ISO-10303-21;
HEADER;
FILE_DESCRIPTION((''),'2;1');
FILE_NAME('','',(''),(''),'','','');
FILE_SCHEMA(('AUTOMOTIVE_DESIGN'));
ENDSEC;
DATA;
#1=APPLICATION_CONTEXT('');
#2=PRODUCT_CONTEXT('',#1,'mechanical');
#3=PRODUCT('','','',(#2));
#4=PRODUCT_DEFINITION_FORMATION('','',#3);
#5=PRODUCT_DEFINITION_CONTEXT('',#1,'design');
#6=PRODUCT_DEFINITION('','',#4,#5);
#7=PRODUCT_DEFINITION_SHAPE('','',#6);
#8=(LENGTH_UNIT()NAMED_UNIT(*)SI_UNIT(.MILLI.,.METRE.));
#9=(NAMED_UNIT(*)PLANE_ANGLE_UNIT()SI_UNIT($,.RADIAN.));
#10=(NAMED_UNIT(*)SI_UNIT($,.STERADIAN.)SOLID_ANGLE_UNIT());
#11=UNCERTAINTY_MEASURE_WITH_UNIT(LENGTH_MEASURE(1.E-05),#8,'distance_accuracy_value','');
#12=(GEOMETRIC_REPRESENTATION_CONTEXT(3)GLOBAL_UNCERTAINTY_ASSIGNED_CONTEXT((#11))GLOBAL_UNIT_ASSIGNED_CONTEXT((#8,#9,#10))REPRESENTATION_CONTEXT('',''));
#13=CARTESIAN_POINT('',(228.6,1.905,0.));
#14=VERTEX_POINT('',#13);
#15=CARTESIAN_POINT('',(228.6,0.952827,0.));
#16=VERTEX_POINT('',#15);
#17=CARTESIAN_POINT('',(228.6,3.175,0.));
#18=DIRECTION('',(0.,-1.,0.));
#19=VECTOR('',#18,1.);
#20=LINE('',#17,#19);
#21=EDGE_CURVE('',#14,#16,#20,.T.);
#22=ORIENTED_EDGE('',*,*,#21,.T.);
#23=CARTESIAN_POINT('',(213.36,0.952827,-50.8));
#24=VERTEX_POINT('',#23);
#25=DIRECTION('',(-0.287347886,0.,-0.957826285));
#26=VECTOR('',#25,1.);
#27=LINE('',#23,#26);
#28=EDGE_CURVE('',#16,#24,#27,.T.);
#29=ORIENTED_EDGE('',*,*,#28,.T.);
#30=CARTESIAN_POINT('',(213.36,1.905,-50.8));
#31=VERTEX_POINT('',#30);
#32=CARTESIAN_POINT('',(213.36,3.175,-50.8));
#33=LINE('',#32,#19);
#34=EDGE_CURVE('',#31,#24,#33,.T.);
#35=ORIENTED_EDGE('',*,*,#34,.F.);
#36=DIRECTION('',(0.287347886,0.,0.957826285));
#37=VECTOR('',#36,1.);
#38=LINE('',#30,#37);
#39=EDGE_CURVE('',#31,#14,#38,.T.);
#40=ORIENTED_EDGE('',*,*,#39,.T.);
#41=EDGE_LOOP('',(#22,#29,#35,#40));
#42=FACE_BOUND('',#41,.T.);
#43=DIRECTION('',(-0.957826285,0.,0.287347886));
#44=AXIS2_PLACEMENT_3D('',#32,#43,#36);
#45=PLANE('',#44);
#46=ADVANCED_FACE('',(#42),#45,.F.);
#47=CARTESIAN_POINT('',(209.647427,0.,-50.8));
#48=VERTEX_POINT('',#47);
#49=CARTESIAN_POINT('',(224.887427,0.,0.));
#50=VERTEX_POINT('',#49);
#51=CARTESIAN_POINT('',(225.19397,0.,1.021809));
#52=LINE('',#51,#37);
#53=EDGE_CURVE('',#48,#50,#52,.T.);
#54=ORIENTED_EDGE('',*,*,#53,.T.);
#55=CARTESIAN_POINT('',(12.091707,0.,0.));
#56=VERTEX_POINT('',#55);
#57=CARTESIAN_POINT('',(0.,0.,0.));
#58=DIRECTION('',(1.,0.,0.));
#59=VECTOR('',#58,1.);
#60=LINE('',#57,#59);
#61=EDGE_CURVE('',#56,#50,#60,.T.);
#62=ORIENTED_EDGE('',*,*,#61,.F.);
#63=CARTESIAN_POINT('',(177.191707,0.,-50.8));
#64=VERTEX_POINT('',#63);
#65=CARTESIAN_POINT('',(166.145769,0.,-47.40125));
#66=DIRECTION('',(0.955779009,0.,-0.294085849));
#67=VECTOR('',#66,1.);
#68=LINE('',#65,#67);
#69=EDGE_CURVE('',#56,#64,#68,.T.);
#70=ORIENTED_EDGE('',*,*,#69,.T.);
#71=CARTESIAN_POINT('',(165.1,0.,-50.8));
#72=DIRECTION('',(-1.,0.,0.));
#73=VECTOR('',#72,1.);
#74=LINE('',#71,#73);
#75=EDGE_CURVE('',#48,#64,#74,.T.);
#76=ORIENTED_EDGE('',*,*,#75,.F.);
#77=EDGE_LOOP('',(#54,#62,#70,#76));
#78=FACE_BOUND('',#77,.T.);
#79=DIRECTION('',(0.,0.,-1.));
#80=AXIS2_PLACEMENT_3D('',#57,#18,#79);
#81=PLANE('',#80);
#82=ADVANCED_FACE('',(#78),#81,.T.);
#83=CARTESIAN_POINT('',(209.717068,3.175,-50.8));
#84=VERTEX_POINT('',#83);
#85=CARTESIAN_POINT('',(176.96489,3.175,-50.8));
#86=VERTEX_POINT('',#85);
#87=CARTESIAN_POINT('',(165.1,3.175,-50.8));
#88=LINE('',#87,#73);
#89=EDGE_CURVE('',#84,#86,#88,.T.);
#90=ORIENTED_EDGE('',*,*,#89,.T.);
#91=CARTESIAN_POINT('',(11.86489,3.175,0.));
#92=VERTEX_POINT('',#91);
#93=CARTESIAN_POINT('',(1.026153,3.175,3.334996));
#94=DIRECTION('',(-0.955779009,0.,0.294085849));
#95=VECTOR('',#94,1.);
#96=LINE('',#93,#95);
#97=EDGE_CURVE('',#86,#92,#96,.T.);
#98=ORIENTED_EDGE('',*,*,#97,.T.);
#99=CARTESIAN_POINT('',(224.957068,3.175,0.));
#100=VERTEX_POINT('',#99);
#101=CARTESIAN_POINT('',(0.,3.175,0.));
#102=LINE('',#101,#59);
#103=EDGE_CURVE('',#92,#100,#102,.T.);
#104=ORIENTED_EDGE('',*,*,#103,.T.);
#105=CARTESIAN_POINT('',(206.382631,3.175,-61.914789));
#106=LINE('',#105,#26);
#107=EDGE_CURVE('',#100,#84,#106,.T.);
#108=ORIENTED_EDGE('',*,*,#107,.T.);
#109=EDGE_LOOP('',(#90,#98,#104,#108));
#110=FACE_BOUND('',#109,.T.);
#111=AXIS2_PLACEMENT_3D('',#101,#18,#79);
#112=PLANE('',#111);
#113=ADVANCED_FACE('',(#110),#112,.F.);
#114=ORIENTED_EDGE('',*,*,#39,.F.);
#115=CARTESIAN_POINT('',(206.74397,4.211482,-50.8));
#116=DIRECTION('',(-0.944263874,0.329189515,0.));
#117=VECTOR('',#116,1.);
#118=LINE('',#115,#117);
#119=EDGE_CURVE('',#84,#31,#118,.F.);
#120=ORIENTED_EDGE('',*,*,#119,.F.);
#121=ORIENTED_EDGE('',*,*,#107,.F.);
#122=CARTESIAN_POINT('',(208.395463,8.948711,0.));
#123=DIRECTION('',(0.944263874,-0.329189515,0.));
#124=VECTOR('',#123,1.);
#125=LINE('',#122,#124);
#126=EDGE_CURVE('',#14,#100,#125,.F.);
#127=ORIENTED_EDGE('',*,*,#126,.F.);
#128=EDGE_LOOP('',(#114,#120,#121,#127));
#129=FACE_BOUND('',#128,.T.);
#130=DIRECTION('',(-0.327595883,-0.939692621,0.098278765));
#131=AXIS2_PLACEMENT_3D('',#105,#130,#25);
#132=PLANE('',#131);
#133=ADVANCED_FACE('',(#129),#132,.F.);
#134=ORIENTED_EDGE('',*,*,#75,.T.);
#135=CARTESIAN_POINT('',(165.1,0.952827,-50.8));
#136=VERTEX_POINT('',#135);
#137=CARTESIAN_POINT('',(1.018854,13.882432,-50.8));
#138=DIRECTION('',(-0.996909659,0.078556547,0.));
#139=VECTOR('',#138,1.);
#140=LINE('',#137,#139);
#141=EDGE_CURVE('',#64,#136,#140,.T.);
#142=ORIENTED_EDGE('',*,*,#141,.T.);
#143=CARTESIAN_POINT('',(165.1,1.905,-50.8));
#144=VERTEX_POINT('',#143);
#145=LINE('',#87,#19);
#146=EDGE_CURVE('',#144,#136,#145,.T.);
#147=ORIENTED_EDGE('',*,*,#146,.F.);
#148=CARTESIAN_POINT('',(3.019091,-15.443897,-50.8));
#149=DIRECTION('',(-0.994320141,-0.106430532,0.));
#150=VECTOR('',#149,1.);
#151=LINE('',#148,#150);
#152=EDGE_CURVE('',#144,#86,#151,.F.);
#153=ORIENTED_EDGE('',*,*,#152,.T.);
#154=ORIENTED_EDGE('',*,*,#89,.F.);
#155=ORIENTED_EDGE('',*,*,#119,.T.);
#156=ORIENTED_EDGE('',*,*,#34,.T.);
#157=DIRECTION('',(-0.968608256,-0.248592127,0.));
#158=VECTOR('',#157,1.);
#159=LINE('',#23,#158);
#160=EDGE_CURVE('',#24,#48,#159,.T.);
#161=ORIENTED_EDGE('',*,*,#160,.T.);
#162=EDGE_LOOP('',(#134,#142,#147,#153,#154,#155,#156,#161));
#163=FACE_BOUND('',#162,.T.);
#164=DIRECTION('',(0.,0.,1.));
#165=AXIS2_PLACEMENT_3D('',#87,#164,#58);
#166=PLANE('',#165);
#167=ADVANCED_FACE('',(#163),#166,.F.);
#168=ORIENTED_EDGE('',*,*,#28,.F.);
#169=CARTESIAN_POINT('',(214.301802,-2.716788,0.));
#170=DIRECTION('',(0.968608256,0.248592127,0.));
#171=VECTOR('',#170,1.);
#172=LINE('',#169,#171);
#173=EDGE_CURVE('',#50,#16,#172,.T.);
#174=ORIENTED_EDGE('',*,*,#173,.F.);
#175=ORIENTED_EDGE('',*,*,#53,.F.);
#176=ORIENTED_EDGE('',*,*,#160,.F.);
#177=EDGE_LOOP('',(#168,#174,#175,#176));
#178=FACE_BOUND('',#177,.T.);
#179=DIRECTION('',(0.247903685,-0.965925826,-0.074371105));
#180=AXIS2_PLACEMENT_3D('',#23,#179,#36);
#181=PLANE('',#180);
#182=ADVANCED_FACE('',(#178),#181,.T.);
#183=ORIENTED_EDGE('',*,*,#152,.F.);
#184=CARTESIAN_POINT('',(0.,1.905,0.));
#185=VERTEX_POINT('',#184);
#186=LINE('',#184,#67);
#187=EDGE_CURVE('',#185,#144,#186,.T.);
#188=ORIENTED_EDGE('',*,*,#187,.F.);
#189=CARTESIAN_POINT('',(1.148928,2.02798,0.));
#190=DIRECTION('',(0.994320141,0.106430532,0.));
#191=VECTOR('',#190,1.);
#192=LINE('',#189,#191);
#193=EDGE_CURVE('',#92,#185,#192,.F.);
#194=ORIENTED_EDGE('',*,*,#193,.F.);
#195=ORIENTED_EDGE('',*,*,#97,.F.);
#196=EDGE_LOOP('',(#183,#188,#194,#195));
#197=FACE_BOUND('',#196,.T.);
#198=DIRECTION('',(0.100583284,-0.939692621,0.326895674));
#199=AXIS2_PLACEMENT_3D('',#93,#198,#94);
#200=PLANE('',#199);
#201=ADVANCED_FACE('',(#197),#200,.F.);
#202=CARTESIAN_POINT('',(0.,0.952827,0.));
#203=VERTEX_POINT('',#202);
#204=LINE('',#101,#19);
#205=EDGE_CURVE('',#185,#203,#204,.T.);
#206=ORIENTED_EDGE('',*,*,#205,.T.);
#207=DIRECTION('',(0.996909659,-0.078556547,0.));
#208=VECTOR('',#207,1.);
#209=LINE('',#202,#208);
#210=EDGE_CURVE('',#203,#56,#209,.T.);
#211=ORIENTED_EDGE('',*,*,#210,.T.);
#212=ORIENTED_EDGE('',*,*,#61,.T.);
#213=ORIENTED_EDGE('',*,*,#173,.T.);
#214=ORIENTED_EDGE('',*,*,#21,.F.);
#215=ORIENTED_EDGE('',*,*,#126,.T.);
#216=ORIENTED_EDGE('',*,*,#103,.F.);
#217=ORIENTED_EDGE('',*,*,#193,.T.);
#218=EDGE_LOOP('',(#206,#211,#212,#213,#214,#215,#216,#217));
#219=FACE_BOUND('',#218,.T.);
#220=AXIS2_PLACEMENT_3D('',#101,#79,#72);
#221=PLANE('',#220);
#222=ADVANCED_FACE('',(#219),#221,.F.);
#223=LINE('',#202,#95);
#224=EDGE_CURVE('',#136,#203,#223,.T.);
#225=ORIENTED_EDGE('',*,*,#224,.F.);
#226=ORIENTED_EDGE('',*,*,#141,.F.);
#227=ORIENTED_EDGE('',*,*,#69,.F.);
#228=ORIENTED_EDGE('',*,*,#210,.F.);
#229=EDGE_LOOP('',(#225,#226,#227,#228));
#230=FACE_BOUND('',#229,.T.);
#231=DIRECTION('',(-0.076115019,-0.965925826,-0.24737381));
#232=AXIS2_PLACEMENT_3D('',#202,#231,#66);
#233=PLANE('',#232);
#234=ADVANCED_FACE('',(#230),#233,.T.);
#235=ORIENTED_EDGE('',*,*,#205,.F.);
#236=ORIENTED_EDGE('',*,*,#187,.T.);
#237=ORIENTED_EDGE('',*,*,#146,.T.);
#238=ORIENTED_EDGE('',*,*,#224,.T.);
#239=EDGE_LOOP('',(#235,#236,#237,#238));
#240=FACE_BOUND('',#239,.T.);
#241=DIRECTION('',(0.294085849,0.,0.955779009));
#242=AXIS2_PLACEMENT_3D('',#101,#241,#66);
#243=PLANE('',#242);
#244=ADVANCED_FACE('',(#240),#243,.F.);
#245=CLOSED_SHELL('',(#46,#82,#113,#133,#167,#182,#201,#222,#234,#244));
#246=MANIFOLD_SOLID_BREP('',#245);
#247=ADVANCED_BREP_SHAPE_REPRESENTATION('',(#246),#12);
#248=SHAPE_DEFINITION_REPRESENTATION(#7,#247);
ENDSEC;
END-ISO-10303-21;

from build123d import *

# Parameters (mm, degrees)
BOSS_EXTRUDE1_DEPTH   = 3.175
CHAMFER1_SIZE         = 1.27
CHAMFER1_SIZE2        = 3.489296323
CHAMFER1_PART_2_SIZE  = 1.27
CHAMFER1_PART_2_SIZE2 = 3.489296323
CHAMFER2_SIZE         = 3.556
CHAMFER2_SIZE2        = 0.952827328


with BuildPart() as part:
    # Sketch1 → Boss-Extrude1 (new body)
    with BuildSketch(Plane(origin=(0, 0, 0), x_dir=(1, 0, 0), z_dir=(0, 1, 0))):
        Polygon((0, 0), (228.6, 0), (213.36, 50.8), (165.1, 50.8), align=None)
    extrude(amount=BOSS_EXTRUDE1_DEPTH)

    # Chamfer1
    chamfer1_edges = [part.edges().sort_by_distance(p)[0] for p in [
        (220.98, 3.175, -25.4),
    ]]
    chamfer1_side = [part.faces().sort_by_distance(p)[0] for p in [
        (220.98, 1.5875, -25.4),
    ]]
    chamfer(chamfer1_edges, length=CHAMFER1_SIZE, length2=CHAMFER1_SIZE2, reference=chamfer1_side[0])

    # Chamfer1 part 2
    chamfer1_part_2_edges = [part.edges().sort_by_distance(p)[0] for p in [
        (82.55, 3.175, -25.4),
    ]]
    chamfer1_part_2_side = [part.faces().sort_by_distance(p)[0] for p in [
        (82.55, 1.5875, -25.4),
    ]]
    chamfer(chamfer1_part_2_edges, length=CHAMFER1_PART_2_SIZE, length2=CHAMFER1_PART_2_SIZE2, reference=chamfer1_part_2_side[0])

    # Chamfer2
    chamfer2_edges = [part.edges().sort_by_distance(p)[0] for p in [
        (220.98, 0, -25.4),
        (82.55, 0, -25.4),
    ]]
    chamfer2_side = [part.faces().sort_by_distance(p)[0] for p in [
        (143.630397554, 0, -19.885015291),
    ]]
    chamfer(chamfer2_edges, length=CHAMFER2_SIZE, length2=CHAMFER2_SIZE2, reference=chamfer2_side[0])


solid = part.part
